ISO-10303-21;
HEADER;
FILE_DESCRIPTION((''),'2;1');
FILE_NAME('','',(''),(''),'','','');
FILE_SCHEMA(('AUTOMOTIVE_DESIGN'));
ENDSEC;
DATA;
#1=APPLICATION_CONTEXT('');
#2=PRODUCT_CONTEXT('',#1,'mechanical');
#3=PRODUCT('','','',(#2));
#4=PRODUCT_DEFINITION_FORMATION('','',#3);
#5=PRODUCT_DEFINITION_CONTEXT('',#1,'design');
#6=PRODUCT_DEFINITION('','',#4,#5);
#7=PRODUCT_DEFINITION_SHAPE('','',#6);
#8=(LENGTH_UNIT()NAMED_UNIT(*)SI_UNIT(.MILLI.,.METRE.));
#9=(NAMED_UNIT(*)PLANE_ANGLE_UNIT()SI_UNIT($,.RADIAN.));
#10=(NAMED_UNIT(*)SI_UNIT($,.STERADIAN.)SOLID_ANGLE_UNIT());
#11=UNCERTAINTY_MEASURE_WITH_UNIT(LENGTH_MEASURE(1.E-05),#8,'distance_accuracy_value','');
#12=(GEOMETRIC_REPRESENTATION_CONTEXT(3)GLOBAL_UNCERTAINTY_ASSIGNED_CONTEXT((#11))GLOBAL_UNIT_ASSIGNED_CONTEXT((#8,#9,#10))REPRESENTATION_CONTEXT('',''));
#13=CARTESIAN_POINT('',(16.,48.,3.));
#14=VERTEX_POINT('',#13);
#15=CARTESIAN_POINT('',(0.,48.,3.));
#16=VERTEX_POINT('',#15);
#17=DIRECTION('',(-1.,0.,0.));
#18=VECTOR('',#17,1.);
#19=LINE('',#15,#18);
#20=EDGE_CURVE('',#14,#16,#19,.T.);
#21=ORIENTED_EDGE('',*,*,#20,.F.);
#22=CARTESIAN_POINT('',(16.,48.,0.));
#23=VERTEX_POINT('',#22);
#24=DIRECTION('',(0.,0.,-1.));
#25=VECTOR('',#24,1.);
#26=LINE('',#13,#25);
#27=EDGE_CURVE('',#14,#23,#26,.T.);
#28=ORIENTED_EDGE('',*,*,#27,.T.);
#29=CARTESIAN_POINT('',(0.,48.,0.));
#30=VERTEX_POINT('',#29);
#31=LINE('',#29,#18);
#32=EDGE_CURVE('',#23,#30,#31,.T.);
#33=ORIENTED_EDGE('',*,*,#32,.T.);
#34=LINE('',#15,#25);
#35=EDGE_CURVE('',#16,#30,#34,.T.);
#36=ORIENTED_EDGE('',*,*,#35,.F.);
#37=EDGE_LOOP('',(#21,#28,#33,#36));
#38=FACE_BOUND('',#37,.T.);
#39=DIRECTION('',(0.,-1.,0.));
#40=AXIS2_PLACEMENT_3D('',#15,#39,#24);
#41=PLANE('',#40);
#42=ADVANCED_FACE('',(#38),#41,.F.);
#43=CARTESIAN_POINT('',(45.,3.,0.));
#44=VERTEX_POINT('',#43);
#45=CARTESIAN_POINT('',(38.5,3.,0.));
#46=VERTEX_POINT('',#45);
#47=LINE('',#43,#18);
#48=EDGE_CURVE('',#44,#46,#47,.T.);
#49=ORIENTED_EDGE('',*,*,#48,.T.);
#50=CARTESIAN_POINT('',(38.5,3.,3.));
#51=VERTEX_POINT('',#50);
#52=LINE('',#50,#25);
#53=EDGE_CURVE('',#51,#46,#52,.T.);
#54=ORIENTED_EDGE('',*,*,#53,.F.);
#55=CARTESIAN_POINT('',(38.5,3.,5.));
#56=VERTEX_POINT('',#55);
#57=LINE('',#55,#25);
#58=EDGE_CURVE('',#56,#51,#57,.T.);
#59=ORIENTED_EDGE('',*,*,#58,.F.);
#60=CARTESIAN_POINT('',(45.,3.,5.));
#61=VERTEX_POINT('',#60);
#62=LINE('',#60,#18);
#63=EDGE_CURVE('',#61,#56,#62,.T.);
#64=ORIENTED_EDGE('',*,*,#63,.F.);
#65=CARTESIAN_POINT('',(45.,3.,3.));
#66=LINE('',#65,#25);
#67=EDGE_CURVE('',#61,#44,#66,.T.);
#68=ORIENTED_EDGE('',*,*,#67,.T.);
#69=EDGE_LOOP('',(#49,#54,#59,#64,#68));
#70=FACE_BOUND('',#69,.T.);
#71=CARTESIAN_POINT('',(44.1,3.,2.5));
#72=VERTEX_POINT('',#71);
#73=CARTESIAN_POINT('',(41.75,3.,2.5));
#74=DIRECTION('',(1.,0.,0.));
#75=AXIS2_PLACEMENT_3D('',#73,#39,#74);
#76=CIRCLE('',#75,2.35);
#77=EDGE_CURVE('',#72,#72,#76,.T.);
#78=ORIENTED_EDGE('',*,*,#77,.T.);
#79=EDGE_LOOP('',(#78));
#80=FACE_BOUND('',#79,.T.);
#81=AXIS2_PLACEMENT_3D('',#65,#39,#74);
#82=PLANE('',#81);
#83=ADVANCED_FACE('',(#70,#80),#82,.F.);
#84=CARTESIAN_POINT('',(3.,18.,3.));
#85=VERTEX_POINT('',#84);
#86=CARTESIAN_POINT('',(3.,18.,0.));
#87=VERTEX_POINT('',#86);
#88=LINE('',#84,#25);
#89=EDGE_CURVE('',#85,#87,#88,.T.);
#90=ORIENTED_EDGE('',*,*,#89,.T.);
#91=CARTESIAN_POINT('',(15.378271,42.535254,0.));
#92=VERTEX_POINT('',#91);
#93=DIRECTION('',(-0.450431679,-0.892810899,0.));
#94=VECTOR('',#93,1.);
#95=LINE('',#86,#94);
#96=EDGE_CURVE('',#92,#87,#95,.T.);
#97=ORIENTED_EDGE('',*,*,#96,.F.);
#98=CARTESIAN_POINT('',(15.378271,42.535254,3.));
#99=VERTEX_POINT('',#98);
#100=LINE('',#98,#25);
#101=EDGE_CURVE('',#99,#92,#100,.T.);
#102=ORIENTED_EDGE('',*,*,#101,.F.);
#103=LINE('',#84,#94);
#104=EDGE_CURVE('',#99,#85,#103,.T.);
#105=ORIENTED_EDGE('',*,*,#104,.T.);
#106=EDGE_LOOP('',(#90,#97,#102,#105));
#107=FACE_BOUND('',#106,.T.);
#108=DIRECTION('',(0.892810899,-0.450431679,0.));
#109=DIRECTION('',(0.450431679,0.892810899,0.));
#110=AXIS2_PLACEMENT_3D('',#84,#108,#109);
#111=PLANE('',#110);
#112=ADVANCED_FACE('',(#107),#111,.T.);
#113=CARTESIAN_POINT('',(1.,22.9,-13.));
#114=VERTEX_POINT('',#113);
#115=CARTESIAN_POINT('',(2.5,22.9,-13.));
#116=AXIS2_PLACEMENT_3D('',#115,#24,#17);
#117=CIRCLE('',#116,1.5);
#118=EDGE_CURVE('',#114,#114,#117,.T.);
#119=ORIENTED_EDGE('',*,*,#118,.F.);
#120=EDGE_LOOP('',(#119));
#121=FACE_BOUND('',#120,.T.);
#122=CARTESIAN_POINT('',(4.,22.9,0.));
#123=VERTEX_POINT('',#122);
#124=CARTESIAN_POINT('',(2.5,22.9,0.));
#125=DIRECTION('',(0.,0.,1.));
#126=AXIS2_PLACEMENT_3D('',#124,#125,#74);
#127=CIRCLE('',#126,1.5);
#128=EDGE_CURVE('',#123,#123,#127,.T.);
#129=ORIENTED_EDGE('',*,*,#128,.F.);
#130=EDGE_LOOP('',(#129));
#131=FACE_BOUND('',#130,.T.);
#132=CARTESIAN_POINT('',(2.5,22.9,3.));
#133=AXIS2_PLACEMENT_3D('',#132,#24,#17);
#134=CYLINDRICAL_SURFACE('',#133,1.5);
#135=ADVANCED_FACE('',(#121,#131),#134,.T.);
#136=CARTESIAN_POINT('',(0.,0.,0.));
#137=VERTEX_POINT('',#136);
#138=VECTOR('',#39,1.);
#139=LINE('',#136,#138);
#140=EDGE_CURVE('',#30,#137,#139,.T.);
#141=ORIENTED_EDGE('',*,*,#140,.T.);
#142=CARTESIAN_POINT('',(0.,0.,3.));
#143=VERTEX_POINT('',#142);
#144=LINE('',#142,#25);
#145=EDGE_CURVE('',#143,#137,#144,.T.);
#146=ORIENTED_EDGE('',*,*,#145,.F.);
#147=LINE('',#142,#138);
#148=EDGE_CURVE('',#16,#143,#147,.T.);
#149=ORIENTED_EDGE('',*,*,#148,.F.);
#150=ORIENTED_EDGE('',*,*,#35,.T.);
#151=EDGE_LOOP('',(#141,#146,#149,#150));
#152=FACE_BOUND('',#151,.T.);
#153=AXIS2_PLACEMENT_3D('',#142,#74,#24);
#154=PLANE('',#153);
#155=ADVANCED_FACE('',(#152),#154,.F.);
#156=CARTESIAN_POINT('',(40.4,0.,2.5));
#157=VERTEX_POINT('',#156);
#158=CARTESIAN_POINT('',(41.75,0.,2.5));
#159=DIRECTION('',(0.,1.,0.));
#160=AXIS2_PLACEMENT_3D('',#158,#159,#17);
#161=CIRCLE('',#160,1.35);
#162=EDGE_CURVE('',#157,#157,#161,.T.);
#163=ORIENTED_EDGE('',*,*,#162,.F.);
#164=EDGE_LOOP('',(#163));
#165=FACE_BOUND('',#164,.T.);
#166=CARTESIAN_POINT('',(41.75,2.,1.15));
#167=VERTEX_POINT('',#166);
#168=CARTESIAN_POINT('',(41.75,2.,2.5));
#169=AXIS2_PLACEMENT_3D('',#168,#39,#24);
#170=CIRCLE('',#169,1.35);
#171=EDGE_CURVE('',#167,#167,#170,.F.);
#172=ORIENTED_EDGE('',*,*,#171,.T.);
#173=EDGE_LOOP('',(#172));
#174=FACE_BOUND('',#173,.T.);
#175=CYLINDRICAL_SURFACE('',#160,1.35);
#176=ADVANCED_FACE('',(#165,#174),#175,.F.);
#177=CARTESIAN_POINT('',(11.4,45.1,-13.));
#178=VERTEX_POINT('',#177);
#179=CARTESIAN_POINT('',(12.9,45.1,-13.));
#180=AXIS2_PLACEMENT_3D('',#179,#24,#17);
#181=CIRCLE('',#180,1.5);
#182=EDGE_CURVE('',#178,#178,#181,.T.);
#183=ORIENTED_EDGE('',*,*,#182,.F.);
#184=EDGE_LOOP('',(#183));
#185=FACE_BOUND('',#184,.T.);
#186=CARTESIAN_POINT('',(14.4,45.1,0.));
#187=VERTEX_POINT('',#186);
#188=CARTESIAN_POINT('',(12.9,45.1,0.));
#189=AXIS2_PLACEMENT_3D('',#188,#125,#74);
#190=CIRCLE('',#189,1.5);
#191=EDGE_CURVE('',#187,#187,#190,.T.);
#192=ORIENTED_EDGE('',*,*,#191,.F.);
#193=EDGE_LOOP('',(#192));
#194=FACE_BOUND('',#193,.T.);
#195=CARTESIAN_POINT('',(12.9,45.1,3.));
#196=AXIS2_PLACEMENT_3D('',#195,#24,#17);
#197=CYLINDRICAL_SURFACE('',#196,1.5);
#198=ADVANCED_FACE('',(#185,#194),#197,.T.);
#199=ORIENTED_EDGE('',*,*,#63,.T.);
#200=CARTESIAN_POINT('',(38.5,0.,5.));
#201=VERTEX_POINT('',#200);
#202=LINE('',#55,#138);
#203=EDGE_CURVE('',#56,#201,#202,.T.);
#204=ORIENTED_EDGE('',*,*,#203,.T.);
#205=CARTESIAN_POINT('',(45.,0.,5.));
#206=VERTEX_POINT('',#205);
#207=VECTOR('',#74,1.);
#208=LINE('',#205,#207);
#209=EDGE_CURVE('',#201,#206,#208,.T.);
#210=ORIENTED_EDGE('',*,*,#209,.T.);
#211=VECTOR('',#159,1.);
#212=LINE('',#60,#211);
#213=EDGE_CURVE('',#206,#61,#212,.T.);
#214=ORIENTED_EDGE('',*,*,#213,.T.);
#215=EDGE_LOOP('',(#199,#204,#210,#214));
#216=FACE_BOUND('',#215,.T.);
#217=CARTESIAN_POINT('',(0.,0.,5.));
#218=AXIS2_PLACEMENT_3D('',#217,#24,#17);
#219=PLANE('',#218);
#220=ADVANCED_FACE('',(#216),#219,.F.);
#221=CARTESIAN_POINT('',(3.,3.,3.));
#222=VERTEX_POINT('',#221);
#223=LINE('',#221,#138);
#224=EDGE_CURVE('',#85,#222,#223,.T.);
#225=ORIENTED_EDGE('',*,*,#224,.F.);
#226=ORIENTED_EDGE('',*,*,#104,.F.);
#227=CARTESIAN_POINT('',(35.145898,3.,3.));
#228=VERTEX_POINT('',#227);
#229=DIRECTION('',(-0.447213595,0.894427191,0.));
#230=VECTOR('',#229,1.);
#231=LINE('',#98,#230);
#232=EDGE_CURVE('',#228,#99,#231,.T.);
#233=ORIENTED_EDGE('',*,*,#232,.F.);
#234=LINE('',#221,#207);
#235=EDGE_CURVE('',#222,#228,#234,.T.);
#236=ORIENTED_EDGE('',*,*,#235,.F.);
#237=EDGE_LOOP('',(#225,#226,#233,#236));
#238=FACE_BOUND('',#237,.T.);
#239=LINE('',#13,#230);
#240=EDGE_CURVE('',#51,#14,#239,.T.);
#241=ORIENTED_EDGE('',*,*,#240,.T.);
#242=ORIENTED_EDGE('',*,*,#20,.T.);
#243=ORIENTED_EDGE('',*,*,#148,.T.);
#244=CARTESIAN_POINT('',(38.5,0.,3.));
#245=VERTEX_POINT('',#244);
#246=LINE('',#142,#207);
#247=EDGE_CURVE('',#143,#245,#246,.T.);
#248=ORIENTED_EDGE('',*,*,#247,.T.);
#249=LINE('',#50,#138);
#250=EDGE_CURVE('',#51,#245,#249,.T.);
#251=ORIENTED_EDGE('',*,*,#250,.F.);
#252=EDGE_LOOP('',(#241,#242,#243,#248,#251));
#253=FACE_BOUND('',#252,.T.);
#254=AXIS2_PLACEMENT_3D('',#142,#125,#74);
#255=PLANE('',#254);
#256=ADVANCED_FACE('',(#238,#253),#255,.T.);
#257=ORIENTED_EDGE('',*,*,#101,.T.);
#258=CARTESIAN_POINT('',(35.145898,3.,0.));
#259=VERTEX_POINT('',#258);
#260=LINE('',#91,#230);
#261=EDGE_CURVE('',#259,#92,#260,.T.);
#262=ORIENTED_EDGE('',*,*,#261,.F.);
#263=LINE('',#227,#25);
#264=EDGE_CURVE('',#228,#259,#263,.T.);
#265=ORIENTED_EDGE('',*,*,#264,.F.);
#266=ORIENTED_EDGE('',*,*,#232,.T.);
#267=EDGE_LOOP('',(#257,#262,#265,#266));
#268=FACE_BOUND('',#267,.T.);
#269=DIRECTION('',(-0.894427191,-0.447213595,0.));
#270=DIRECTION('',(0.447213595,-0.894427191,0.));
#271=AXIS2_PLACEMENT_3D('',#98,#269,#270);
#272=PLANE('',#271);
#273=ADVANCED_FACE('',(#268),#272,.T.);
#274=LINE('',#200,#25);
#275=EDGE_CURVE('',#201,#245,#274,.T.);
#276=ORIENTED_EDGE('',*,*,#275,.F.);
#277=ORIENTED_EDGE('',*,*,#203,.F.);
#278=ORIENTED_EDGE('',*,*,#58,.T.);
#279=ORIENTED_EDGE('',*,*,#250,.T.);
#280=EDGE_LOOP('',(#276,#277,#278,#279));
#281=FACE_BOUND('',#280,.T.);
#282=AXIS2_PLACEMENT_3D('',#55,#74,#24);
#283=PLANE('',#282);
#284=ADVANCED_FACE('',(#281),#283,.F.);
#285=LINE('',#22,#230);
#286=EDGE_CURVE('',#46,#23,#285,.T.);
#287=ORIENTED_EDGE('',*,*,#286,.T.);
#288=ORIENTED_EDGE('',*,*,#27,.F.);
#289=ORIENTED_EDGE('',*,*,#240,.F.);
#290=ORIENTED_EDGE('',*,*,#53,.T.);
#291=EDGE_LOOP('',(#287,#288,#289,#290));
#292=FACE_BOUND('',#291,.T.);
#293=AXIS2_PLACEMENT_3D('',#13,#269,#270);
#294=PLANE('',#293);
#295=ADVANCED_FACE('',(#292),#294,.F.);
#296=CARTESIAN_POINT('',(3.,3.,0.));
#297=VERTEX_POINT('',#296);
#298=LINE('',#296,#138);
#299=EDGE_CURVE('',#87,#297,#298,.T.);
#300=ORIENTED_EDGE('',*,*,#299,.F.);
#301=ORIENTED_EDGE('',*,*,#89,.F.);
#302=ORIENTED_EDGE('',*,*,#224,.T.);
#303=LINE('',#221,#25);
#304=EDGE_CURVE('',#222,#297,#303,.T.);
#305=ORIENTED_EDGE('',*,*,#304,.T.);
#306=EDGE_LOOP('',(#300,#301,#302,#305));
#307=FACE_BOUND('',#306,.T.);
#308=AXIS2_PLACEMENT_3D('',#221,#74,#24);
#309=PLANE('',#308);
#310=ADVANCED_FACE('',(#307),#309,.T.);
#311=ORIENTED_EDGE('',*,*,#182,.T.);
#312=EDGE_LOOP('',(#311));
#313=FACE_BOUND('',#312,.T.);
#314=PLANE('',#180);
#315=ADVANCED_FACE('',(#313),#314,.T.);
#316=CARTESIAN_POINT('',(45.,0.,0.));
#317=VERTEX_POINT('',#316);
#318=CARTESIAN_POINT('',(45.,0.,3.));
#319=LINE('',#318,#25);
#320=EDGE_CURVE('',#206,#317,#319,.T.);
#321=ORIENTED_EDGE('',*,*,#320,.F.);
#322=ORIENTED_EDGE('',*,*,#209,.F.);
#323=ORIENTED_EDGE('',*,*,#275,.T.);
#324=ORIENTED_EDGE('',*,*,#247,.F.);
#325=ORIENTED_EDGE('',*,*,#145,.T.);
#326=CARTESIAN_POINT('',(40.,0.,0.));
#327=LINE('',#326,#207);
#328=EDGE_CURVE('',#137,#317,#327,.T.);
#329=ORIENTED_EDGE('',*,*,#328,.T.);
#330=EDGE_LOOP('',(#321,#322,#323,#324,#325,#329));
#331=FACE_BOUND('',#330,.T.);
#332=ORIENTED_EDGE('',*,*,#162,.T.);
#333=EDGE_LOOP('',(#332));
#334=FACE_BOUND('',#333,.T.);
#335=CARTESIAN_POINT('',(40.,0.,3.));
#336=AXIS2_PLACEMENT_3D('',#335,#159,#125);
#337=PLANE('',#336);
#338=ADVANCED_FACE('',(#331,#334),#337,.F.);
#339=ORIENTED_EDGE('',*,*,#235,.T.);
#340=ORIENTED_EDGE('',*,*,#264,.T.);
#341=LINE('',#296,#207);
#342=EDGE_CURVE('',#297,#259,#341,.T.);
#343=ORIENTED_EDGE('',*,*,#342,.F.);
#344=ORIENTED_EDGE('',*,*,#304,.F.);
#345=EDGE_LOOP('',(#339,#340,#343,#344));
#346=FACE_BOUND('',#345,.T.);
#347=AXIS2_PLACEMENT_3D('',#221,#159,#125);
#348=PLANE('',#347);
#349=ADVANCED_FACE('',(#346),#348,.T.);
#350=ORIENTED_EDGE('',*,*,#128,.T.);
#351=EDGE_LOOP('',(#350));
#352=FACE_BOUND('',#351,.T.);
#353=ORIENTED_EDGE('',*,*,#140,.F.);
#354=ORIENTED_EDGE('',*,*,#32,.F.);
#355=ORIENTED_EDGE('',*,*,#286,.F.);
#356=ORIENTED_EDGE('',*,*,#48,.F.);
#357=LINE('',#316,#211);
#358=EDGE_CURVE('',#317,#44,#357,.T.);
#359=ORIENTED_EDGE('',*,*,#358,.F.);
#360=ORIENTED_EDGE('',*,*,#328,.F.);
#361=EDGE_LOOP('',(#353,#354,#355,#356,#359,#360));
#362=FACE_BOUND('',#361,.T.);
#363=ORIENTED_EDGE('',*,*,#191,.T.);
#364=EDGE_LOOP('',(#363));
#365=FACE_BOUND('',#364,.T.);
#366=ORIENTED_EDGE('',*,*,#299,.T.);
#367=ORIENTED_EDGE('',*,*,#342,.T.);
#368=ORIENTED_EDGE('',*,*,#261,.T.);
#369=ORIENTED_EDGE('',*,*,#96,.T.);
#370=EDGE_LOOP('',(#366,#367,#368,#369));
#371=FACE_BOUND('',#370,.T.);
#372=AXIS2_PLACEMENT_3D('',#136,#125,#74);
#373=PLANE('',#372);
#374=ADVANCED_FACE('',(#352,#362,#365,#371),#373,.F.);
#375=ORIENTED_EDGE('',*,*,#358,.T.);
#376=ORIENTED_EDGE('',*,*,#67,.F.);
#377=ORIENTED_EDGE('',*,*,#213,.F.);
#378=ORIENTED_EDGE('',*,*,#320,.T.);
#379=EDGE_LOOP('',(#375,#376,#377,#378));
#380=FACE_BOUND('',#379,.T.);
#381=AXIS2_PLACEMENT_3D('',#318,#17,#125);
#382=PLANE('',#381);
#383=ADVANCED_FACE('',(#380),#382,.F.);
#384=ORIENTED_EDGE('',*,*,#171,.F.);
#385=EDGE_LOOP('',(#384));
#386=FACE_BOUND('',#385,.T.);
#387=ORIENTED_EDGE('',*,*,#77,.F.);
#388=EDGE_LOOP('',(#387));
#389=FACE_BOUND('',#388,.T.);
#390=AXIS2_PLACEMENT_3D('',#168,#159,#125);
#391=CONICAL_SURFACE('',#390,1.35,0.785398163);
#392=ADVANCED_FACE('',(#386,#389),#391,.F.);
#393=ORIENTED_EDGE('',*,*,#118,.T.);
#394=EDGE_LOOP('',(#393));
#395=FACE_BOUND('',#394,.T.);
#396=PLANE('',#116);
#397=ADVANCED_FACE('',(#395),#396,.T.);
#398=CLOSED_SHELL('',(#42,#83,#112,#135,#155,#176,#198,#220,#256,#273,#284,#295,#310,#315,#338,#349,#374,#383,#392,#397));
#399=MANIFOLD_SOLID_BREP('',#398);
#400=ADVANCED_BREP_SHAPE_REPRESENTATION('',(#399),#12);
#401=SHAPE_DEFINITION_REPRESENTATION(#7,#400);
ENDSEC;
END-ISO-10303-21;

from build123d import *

# Parameters (mm, degrees)
SKICA1_R                     = 1.5
P_IDAT_VYSUNUT_M1_DEPTH      = 3
SKICA2_R                     = 1.5
P_IDAT_VYSUNUT_M2_DEPTH      = 13
P_IDAT_VYSUNUT_M2_DEPTH_BACK = 3
SKICA3_W                     = 6.5
SKICA3_H                     = 3
P_IDAT_VYSUNUT_M3_DEPTH      = 2
SKICA4_R                     = 1.35
ODEBRAT_VYSUNUT_M1_DEPTH     = 3
ZKOSEN_1_SIZE                = 1


with BuildPart() as part:
    # Skica1 → Přidat vysunutím1 (new body)
    with BuildSketch(Plane.XY):
        Polygon((0, 0), (0, 48), (16, 48), (38.5, 3), (45, 3), (45, 0), (40, 0), align=None)
        with Locations((12.9, 45.1)):
            Circle(SKICA1_R, mode=Mode.SUBTRACT)
        with Locations((2.5, 22.9)):
            Circle(SKICA1_R, mode=Mode.SUBTRACT)
        Polygon((3, 3), (35.145898034, 3), (15.37827124, 42.535253588), (3, 18), align=None, mode=Mode.SUBTRACT)
    extrude(amount=P_IDAT_VYSUNUT_M1_DEPTH)

    # Skica2 → Přidat vysunutím2 (add, two sides)
    with BuildSketch(Plane(origin=(0, 0, 0), x_dir=(-1, 0, 0), z_dir=(0, 0, -1))) as p_idat_vysunut_m2_sk:
        with Locations((-12.9, 45.1)):
            Circle(SKICA2_R)
        with Locations((-2.5, 22.9)):
            Circle(SKICA2_R)
    extrude(amount=P_IDAT_VYSUNUT_M2_DEPTH)
    extrude(p_idat_vysunut_m2_sk.sketch, amount=-P_IDAT_VYSUNUT_M2_DEPTH_BACK)

    # Skica3 → Přidat vysunutím3 (add)
    with BuildSketch(Plane.XY.offset(3)):
        with Locations((41.75, 1.5)):
            Rectangle(SKICA3_W, SKICA3_H)
    extrude(amount=P_IDAT_VYSUNUT_M3_DEPTH)

    # Skica4 → Odebrat vysunutím1 (cut)
    with BuildSketch(Plane(origin=(0, 3, 0), x_dir=(1, 0, 0), z_dir=(0, 1, 0))):
        with Locations((41.75, -2.5)):
            Circle(SKICA4_R)
    extrude(amount=-ODEBRAT_VYSUNUT_M1_DEPTH, mode=Mode.SUBTRACT)

    # Zkosení1
    zkosen_1_edges = [part.edges().sort_by_distance(p)[0] for p in [
        (40.4, 3, 2.5),
    ]]
    chamfer(zkosen_1_edges, length=ZKOSEN_1_SIZE)


solid = part.part
